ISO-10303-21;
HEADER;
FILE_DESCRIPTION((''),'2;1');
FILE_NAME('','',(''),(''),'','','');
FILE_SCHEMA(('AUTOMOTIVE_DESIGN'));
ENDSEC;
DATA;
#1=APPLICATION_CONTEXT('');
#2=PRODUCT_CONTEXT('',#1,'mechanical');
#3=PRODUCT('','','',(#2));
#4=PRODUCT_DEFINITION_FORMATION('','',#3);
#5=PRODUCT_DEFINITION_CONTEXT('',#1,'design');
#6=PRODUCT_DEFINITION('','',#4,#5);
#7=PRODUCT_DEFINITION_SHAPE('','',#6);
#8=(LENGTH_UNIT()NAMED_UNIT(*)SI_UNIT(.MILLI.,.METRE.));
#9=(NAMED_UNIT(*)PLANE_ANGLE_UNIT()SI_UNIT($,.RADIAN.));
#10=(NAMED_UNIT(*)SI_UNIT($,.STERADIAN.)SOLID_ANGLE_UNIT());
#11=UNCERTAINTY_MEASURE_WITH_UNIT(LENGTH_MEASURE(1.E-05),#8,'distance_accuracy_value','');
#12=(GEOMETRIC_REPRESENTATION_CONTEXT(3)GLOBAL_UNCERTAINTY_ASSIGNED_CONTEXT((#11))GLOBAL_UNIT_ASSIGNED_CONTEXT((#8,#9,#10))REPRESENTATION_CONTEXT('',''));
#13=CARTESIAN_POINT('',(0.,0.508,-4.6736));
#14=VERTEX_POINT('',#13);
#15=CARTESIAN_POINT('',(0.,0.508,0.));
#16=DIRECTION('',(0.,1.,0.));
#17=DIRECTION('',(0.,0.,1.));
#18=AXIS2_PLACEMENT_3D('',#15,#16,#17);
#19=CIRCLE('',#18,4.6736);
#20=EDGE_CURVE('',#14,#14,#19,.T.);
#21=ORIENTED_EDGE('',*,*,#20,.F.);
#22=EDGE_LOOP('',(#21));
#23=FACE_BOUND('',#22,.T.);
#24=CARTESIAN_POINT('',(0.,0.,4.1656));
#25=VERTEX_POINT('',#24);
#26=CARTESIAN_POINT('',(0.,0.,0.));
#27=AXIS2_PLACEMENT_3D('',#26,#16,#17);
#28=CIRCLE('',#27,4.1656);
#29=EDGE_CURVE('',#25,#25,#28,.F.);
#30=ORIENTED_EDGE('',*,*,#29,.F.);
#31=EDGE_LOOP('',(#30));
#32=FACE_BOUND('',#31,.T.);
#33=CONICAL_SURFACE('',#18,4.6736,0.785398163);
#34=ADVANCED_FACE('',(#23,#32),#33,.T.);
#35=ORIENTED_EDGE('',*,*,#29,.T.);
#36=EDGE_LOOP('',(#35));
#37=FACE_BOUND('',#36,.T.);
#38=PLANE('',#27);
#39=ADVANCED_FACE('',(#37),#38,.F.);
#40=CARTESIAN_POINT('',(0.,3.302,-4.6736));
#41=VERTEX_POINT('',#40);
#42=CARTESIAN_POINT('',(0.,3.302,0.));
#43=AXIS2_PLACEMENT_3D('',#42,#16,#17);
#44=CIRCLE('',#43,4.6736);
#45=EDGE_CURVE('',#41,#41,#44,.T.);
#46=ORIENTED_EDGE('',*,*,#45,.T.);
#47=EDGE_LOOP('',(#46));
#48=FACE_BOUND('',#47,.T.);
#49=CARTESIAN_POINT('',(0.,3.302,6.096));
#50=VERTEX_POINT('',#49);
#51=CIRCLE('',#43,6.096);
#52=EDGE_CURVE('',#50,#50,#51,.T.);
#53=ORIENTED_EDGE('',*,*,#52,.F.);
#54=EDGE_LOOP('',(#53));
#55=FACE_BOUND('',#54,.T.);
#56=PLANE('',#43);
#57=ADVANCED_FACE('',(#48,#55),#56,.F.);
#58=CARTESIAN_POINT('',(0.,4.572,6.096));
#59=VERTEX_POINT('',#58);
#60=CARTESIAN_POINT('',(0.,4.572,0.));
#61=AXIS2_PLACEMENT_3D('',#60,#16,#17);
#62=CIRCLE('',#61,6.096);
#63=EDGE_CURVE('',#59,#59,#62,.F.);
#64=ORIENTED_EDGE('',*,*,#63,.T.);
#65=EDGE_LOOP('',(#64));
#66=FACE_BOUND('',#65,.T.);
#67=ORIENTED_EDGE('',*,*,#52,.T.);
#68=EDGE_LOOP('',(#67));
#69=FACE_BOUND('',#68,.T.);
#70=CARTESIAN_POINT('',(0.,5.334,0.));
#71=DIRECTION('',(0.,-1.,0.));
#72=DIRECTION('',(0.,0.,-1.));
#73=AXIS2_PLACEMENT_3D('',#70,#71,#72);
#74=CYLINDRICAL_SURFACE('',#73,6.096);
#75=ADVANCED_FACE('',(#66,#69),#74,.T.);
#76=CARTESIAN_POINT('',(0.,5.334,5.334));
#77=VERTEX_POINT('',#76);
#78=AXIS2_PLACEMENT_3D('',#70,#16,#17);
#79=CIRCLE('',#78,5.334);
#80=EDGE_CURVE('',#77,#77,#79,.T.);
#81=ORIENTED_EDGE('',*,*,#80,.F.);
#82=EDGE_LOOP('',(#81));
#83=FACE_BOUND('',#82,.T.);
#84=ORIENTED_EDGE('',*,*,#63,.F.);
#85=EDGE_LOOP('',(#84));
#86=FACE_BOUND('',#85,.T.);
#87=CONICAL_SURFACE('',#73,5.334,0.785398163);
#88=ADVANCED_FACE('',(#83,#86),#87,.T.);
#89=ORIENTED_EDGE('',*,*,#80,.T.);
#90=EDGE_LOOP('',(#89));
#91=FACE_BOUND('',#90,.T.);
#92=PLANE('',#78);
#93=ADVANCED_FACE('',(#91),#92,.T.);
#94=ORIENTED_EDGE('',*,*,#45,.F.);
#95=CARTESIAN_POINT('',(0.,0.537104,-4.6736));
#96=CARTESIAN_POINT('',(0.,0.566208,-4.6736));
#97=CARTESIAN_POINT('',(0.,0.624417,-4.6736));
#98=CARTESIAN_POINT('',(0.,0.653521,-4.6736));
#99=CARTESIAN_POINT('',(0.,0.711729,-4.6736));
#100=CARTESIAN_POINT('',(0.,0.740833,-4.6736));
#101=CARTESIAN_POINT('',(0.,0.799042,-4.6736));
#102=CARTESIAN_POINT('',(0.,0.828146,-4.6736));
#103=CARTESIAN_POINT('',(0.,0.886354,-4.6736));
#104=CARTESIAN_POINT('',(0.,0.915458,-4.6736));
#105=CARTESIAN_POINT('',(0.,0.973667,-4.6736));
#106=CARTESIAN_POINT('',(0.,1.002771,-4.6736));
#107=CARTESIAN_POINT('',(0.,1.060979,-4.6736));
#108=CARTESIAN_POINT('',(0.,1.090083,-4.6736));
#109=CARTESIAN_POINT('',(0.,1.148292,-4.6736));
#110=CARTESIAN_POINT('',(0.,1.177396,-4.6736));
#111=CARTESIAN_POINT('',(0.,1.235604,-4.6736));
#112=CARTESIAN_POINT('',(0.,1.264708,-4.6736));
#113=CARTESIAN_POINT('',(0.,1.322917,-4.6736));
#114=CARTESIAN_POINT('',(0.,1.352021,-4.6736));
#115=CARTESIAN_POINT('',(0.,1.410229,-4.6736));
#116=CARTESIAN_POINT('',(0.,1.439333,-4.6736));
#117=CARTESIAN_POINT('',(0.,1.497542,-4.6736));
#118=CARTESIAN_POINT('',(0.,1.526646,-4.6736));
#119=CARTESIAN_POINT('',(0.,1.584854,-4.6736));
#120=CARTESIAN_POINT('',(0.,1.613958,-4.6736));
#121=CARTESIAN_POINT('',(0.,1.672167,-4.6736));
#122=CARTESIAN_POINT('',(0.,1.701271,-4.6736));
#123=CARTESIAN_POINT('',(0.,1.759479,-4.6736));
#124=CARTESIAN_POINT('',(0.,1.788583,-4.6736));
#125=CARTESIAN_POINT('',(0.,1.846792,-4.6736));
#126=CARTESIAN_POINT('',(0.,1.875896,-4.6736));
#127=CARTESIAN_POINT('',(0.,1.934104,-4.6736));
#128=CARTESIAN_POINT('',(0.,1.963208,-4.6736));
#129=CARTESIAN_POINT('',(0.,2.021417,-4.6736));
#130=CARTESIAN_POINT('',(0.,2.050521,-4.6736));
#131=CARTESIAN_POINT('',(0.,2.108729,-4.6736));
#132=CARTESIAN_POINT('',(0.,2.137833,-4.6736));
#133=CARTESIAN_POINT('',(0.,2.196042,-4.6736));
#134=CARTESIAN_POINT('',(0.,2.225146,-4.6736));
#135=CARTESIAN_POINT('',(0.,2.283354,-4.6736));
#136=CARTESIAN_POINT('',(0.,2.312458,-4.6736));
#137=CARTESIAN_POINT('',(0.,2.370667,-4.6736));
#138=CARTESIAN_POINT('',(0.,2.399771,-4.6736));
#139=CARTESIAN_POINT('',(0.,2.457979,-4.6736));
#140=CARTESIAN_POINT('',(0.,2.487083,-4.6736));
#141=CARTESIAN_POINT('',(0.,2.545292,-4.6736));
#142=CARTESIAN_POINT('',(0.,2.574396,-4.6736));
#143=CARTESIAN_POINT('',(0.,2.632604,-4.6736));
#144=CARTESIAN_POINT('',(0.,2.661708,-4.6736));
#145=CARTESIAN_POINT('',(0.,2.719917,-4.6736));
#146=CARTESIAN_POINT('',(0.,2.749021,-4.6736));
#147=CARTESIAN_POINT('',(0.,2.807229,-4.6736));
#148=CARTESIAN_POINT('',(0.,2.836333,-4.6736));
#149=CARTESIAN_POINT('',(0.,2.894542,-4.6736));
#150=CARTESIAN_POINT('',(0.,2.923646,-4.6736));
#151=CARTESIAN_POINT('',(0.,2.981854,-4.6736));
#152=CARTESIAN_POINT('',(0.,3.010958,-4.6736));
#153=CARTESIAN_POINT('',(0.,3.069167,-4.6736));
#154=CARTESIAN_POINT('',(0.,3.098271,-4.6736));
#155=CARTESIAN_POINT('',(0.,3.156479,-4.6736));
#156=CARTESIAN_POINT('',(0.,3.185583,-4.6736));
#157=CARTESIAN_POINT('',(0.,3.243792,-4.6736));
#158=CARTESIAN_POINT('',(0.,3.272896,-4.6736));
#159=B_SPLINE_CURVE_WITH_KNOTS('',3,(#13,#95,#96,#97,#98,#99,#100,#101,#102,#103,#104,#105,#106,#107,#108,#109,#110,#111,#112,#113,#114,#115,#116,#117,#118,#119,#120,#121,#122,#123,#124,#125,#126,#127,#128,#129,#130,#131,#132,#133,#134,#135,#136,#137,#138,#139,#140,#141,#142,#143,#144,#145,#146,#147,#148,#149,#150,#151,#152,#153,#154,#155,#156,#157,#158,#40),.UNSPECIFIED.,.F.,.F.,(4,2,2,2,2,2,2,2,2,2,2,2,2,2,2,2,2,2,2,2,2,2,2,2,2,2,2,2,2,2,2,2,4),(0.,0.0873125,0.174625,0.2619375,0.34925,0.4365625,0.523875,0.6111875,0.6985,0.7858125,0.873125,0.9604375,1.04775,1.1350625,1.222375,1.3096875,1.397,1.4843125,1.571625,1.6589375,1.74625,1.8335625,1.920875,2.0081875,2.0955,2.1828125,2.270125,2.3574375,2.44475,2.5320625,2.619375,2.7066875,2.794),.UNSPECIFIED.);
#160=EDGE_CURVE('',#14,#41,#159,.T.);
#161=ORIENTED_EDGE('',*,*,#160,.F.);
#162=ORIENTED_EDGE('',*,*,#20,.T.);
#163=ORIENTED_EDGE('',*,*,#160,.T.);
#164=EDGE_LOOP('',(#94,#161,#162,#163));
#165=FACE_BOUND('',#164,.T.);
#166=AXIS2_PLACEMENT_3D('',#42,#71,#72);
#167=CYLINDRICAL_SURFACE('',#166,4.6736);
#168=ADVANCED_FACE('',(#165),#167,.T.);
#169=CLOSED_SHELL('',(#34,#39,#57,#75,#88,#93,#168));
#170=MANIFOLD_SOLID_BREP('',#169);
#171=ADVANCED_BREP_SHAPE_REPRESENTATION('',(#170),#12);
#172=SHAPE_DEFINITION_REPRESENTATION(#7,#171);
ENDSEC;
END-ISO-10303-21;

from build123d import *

# Parameters (mm, degrees)
SKETCH1_R           = 4.6736
BOSS_EXTRUDE1_DEPTH = 3.302
SKETCH2_R           = 6.096
BOSS_EXTRUDE2_DEPTH = 2.032
CHAMFER1_SIZE       = 0.762
CHAMFER2_SIZE       = 0.508


with BuildPart() as part:
    # Sketch1 → Boss-Extrude1 (new body)
    with BuildSketch(Plane(origin=(0, 0, 0), x_dir=(1, 0, 0), z_dir=(0, 1, 0))):
        with Locations(Location((0, 0, 0), (0, 0, 90))):
            Circle(SKETCH1_R)
    extrude(amount=BOSS_EXTRUDE1_DEPTH)

    # Sketch2 → Boss-Extrude2 (add)
    with BuildSketch(Plane(origin=(0, 3.302, 0), x_dir=(1, 0, 0), z_dir=(0, 1, 0))):
        with Locations(Location((0, 0, 0), (0, 0, 270))):
            Circle(SKETCH2_R)
    extrude(amount=BOSS_EXTRUDE2_DEPTH)

    # Chamfer1
    chamfer1_edges = [part.edges().sort_by_distance(p)[0] for p in [
        (0, 5.334, -6.096),
    ]]
    chamfer(chamfer1_edges, length=CHAMFER1_SIZE)

    # Chamfer2
    chamfer2_edges = [part.edges().sort_by_distance(p)[0] for p in [
        (0, 0, 4.6736),
    ]]
    chamfer(chamfer2_edges, length=CHAMFER2_SIZE)


solid = part.part
